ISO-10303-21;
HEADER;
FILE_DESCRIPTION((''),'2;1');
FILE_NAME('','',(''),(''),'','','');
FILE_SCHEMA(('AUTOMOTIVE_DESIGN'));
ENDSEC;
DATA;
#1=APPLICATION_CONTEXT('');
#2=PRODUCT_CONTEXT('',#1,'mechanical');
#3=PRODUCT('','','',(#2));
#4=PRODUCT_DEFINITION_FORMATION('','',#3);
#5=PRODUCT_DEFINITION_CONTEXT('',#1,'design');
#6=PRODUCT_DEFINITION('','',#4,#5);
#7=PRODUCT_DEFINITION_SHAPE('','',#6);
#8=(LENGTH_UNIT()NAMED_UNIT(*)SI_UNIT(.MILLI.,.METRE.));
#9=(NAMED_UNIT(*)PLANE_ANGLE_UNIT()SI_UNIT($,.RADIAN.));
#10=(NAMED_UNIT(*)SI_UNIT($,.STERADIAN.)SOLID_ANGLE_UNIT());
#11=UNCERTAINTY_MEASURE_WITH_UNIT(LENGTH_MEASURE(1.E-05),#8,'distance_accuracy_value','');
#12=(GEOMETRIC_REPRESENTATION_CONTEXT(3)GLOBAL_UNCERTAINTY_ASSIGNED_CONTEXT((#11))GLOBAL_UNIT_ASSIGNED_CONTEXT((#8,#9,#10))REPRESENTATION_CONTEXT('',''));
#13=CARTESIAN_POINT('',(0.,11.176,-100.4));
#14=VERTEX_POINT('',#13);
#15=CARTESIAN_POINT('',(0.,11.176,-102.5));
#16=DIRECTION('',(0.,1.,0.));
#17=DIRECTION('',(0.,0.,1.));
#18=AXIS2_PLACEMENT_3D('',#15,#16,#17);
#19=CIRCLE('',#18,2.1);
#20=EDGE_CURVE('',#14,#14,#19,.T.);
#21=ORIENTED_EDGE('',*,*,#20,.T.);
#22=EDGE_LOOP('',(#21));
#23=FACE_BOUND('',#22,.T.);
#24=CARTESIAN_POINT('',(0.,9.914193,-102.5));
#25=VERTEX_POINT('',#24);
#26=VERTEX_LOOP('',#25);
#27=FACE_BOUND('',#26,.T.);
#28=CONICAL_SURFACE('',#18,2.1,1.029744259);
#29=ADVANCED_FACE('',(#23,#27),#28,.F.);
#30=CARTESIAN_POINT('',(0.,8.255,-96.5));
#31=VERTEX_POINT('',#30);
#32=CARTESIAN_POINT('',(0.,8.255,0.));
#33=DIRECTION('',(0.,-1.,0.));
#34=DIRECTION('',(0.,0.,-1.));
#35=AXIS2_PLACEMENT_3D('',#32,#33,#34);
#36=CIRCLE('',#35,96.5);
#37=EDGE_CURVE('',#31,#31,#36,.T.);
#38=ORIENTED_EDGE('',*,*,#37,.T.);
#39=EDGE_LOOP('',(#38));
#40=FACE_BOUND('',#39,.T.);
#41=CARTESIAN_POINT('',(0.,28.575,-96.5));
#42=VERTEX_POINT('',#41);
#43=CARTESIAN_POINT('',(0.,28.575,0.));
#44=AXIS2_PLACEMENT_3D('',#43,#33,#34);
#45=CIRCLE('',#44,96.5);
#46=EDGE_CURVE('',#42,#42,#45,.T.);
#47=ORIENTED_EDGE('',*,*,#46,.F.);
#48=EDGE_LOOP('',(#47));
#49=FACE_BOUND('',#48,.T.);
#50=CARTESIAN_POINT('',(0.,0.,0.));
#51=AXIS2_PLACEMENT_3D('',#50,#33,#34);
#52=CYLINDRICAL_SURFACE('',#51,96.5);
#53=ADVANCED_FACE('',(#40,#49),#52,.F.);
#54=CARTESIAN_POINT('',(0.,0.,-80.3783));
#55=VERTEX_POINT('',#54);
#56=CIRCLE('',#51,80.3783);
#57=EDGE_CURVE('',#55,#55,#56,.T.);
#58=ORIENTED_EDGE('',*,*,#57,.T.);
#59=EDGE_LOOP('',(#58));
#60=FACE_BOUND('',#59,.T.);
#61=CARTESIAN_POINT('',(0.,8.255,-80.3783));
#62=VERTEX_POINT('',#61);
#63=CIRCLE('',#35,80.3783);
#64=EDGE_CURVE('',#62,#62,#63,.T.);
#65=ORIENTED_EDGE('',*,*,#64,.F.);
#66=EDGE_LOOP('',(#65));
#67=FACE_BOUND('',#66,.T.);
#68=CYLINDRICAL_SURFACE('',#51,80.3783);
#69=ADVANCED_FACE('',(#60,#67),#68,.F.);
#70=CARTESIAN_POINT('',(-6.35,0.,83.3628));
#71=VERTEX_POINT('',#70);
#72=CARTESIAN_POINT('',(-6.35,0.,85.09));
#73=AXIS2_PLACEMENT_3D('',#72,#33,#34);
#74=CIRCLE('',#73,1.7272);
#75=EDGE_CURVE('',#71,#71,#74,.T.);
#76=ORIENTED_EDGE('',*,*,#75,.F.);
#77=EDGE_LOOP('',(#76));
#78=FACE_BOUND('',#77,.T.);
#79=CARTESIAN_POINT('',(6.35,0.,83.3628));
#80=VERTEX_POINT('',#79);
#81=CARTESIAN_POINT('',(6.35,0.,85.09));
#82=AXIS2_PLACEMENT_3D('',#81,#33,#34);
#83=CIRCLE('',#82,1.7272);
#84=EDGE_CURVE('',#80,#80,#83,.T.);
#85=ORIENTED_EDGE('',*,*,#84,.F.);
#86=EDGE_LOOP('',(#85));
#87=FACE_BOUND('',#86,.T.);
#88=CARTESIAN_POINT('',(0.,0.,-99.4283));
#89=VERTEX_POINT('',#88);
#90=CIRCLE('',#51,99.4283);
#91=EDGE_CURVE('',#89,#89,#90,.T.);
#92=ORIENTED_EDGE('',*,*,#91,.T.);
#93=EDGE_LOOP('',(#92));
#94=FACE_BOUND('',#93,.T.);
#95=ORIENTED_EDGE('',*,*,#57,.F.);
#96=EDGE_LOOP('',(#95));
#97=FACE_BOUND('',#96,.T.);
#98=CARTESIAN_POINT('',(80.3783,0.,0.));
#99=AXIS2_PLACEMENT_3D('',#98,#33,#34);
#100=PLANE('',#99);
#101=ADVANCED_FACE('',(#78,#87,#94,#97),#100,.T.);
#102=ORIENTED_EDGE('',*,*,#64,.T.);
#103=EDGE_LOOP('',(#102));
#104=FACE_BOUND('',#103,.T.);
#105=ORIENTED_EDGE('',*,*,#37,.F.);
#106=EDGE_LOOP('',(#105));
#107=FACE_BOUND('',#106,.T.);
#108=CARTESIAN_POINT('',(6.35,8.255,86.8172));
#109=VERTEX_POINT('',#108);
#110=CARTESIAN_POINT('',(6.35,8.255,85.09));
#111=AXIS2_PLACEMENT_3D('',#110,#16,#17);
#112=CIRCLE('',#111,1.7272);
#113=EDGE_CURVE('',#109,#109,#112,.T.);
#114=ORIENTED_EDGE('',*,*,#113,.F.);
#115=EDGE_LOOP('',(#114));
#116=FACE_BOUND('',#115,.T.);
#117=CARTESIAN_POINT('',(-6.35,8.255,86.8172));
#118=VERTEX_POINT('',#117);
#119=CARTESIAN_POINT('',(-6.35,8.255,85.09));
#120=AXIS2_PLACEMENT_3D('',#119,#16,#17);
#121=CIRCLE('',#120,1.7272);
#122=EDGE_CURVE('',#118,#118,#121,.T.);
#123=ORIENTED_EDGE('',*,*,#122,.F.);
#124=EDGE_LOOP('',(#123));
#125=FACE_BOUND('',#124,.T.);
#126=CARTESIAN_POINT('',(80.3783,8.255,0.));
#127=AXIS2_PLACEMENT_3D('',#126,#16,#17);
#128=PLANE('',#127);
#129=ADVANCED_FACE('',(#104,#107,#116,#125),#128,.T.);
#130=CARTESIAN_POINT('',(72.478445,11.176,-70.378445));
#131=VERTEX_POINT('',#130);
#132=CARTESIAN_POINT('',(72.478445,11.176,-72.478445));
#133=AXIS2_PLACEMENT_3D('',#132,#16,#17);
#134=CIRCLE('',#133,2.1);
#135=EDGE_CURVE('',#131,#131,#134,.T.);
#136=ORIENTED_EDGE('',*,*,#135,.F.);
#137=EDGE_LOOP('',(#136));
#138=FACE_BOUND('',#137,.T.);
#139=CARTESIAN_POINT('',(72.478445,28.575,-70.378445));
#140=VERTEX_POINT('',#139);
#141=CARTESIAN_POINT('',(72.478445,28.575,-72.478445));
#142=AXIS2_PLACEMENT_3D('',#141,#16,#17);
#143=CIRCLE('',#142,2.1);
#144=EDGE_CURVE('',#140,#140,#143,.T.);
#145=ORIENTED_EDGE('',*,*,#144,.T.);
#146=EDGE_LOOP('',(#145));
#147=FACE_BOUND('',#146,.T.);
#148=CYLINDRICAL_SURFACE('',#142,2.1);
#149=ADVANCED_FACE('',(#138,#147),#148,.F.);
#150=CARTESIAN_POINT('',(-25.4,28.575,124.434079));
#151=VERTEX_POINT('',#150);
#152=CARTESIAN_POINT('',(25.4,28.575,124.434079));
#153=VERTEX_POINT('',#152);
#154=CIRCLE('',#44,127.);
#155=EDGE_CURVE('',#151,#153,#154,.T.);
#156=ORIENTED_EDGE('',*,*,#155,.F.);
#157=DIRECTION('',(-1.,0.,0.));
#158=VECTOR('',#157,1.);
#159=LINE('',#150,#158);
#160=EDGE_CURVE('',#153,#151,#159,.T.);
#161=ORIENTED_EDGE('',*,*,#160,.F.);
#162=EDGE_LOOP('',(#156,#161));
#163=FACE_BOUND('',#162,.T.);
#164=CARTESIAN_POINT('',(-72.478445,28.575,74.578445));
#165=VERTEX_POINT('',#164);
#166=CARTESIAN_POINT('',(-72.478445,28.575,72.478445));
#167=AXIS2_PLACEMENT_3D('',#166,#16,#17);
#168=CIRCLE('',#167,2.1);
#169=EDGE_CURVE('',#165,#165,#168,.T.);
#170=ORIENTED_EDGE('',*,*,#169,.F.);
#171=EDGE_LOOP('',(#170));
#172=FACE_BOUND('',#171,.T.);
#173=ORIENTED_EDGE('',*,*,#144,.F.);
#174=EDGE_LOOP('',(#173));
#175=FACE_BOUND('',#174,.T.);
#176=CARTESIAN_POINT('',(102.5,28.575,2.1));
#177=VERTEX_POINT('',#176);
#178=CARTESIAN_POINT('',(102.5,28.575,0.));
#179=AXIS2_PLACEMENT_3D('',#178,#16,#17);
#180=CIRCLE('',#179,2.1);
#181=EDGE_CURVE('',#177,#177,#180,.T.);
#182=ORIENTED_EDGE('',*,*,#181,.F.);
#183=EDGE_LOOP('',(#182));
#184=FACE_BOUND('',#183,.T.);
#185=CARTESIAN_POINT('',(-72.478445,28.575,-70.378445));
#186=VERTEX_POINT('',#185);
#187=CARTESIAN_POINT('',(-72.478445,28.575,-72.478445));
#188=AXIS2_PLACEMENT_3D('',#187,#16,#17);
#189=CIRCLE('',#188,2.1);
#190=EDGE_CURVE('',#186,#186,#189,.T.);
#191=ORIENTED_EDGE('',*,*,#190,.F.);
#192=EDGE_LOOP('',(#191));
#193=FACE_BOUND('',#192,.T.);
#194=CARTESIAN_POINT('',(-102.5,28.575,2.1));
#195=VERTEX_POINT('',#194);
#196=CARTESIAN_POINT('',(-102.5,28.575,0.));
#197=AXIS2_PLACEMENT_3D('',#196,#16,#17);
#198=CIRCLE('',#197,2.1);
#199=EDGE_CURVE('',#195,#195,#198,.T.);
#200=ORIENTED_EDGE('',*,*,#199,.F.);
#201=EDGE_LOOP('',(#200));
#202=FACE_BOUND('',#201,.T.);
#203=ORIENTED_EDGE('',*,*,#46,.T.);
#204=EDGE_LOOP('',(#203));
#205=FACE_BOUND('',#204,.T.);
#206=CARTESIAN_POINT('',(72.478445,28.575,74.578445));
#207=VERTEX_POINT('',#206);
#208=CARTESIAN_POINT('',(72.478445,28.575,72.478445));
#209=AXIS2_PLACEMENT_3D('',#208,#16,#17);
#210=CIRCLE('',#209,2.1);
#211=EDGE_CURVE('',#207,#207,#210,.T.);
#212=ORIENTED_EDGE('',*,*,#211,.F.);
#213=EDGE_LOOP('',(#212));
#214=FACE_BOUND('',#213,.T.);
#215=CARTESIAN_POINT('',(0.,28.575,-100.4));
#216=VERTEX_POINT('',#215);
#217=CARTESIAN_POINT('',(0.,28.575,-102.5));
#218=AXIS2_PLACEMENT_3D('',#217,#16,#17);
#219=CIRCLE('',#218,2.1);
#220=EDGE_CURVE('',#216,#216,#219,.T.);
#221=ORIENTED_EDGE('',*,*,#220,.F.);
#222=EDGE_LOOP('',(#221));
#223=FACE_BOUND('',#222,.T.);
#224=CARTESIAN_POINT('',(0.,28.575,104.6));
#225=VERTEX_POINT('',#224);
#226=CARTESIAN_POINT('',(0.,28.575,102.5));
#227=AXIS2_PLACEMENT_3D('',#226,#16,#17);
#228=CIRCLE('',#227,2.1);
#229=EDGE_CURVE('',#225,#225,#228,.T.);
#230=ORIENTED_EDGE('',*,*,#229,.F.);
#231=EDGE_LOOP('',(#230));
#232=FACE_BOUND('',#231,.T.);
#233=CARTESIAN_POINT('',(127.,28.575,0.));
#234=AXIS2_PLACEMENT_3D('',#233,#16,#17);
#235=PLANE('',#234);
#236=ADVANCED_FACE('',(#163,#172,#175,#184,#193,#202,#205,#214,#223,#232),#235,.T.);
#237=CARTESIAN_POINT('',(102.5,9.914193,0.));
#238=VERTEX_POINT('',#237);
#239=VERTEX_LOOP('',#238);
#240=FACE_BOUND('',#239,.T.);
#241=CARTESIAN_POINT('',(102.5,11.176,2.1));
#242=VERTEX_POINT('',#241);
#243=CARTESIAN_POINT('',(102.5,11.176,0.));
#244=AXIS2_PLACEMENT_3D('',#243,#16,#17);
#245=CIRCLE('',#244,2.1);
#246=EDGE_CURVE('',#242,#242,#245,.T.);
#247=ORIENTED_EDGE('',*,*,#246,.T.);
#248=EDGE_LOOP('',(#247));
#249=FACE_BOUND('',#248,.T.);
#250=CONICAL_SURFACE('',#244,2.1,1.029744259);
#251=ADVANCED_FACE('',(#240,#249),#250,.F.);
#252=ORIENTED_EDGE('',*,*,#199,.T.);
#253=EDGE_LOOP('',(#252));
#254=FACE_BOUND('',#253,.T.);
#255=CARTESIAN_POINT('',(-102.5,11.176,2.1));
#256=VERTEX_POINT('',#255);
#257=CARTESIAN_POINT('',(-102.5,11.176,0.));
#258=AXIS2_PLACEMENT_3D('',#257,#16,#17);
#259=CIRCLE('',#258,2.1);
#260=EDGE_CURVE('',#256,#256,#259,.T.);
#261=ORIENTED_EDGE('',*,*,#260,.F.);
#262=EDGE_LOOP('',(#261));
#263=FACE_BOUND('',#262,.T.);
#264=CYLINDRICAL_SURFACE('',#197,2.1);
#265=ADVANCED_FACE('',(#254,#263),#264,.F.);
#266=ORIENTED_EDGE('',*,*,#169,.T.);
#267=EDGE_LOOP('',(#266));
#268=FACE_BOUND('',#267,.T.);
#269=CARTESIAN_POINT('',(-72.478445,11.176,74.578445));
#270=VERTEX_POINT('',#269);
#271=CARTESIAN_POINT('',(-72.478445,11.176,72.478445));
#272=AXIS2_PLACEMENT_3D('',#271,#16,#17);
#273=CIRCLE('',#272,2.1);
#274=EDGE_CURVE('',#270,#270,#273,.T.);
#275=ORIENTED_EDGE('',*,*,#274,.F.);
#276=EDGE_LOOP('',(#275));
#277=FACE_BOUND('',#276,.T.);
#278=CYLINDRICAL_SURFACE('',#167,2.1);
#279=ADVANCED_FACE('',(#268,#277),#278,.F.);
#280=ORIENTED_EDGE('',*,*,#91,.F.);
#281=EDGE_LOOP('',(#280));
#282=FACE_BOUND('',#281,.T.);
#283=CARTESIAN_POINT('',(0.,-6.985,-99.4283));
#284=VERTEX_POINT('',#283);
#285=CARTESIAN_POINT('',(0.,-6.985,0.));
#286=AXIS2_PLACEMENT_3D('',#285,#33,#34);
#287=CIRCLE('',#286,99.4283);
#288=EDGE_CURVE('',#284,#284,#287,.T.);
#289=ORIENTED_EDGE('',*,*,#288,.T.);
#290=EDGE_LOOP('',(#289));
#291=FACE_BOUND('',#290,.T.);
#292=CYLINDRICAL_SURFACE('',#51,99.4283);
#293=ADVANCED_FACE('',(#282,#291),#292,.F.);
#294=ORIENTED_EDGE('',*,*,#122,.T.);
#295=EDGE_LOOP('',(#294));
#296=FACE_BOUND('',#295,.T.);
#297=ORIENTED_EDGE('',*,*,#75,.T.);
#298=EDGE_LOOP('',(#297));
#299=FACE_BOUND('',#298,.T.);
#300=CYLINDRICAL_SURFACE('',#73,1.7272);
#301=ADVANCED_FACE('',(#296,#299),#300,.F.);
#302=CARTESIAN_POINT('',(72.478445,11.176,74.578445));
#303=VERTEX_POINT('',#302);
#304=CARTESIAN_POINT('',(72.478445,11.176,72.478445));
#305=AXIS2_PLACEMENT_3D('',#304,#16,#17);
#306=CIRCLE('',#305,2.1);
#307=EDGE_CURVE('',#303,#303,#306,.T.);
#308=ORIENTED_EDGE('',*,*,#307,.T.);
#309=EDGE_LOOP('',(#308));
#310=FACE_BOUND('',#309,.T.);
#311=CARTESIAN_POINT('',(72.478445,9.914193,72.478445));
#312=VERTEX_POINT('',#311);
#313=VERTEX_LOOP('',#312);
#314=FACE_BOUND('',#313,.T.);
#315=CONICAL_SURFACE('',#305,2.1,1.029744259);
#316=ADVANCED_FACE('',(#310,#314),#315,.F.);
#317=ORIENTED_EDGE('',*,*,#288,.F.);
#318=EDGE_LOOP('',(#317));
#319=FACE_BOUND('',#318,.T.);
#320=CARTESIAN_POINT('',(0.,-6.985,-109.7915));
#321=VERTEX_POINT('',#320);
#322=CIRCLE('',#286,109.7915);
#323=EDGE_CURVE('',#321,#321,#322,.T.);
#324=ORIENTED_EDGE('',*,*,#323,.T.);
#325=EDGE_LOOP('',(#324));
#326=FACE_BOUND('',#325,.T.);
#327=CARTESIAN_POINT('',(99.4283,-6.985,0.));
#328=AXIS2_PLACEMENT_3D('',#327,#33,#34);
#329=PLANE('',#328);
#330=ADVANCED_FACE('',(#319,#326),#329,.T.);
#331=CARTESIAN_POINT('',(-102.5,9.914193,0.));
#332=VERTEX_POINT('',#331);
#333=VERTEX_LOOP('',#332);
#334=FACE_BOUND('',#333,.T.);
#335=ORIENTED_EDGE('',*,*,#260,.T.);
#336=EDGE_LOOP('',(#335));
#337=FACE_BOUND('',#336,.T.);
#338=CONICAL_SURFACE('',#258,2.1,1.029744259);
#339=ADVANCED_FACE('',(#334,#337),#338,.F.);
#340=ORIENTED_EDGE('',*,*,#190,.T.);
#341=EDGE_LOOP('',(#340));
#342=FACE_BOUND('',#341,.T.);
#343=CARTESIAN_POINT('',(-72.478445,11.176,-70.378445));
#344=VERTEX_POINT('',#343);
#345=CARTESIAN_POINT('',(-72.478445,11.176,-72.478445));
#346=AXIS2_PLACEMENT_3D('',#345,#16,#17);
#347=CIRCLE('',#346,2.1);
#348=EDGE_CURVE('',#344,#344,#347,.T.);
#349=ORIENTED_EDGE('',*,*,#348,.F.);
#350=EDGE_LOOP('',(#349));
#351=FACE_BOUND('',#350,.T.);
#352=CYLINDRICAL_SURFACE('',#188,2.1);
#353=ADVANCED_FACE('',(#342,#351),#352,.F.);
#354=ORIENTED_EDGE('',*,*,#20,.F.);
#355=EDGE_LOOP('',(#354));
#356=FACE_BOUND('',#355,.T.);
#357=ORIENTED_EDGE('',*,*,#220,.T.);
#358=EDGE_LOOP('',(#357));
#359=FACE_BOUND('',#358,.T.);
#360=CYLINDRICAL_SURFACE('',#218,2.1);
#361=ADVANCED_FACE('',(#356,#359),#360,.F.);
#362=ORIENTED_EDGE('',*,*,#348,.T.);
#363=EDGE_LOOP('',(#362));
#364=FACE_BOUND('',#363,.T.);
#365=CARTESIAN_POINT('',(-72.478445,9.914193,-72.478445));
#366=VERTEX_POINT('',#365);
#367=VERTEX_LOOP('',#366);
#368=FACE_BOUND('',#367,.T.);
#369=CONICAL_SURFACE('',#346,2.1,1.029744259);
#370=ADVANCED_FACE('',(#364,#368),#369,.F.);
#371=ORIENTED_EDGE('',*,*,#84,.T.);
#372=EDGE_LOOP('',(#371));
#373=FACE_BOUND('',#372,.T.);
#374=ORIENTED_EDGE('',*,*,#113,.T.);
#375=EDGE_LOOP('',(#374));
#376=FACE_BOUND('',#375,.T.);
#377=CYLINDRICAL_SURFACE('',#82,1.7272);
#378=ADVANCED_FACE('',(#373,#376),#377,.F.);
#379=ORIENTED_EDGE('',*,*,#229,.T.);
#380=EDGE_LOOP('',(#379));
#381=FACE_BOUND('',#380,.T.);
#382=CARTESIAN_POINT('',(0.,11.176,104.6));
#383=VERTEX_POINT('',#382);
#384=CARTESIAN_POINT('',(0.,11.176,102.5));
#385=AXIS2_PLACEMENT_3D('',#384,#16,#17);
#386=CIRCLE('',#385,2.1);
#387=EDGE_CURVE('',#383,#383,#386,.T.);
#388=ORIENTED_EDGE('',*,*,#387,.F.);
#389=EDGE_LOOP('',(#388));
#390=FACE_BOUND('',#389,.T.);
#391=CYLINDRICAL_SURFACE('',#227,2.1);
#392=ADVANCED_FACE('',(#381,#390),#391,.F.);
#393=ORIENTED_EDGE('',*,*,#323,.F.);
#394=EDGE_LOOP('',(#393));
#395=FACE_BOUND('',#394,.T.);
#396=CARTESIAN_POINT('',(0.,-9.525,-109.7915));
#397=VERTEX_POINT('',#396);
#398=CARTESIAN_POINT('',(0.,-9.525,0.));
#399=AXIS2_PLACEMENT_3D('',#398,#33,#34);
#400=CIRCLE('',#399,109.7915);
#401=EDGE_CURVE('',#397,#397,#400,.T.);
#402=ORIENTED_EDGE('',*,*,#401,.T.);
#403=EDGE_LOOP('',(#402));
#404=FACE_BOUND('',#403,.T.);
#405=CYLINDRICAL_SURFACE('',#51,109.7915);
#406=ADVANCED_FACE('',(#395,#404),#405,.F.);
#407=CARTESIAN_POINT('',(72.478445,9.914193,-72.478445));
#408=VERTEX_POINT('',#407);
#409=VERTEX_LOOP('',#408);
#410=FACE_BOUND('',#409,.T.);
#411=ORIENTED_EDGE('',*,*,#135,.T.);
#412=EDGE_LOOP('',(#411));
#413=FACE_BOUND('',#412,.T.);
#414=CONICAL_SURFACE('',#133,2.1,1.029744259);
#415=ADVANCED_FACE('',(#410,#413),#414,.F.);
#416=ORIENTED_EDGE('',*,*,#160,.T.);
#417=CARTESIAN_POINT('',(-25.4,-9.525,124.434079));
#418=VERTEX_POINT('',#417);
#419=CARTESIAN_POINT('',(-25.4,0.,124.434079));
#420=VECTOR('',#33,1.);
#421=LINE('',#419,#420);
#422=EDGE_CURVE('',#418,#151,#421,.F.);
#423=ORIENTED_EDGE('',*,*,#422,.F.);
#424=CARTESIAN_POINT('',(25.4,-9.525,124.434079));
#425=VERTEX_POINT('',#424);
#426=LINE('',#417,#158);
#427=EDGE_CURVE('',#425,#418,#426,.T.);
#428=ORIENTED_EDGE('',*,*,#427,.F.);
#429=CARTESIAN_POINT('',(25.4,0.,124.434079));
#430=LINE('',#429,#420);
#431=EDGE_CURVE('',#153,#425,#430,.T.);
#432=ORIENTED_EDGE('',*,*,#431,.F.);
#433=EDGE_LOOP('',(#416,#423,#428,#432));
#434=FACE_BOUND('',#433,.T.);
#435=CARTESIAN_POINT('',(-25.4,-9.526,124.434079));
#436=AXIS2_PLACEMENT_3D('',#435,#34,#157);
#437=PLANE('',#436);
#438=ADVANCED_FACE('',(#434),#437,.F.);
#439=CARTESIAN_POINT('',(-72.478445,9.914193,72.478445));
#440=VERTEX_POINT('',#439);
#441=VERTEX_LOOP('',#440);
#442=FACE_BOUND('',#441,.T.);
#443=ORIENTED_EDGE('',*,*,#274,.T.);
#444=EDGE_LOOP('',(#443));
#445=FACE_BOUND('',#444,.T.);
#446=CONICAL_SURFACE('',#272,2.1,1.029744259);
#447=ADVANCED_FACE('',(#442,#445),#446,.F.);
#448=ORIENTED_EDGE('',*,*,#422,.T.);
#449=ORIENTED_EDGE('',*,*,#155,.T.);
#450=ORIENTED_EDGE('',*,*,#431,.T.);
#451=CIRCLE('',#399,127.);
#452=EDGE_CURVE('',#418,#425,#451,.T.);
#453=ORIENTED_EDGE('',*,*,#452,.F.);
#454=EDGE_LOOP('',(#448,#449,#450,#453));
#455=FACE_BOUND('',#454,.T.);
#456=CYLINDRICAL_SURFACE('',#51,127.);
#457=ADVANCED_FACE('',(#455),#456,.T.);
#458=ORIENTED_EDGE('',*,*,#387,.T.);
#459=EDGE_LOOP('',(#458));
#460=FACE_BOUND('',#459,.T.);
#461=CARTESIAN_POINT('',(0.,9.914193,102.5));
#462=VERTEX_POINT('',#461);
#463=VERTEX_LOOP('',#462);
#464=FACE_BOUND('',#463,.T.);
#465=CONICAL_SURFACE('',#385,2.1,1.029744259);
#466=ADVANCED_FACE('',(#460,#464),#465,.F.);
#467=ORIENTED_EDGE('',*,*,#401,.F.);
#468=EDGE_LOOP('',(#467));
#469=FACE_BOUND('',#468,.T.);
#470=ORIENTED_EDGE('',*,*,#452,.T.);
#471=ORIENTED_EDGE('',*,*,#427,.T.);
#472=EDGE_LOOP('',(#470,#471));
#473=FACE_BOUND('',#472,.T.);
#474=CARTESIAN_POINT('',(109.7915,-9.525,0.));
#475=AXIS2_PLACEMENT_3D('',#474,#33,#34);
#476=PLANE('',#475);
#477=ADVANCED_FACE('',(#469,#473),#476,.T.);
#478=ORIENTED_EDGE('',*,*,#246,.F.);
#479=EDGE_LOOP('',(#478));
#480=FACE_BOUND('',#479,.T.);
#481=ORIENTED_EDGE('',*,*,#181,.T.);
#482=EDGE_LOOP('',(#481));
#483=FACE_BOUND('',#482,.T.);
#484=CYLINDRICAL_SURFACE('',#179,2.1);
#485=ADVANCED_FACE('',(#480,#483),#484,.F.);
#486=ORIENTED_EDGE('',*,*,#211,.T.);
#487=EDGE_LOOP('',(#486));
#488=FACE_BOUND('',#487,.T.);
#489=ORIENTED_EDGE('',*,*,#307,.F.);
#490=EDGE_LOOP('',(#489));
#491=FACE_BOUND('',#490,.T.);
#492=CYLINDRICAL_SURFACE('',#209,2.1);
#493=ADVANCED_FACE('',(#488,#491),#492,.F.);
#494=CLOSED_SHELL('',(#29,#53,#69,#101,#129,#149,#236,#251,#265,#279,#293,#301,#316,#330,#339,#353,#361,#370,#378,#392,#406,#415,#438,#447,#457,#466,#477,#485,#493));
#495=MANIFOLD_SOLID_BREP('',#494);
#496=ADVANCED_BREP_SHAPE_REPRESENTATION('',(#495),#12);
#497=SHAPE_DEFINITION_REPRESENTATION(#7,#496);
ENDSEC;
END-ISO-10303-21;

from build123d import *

# Parameters (mm, degrees)
M5X0_8_TAPPED_HOLE1_D     = 4.2
M5X0_8_TAPPED_HOLE1_DEPTH = 17.399
M5X0_8_TAPPED_HOLE1_TIP   = 1.2618073
CUT_EXTRUDE1_REACH        = 185.602
SKETCH7_W                 = 50.8
SKETCH7_H                 = 2.565921067
F_8_32_TAPPED_HOLE1_D     = 3.4544


with BuildPart() as part:
    # Sketch1 → Revolve1 (revolve)
    with BuildSketch(Plane.XY, mode=Mode.PRIVATE) as revolve1_sk:
        Polygon((80.3783, 0), (99.4283, 0), (99.4283, -6.985), (109.7915, -6.985), (109.7915, -9.525), (127, -9.525), (127, 28.575), (96.5, 28.575), (96.5, 8.255), (80.3783, 8.255), align=None)
    revolve(revolve1_sk.sketch.rotate(Axis((0, 0, 0), (0, 1, 0)), 90), axis=Axis((0, 0, 0), (0, 1, 0)))

    # M5x0.8 Tapped Hole1
    with Locations(Plane(origin=(0, 28.575, 0), x_dir=(1, 0, 0), z_dir=(0, 1, 0))):
        with Locations((0, 102.5), (72.478445072, 72.478445072), (102.5, 0), (72.478445072, -72.478445072), (0, -102.5), (-72.478445072, -72.478445072), (-102.5, 0), (-72.478445072, 72.478445072)):
            Hole(M5X0_8_TAPPED_HOLE1_D / 2, depth=M5X0_8_TAPPED_HOLE1_DEPTH)
            with Locations((0, 0, -(M5X0_8_TAPPED_HOLE1_DEPTH + M5X0_8_TAPPED_HOLE1_TIP / 2))):  # 118° drill point
                Cone(0, M5X0_8_TAPPED_HOLE1_D / 2, M5X0_8_TAPPED_HOLE1_TIP, mode=Mode.SUBTRACT)

    # Sketch7 → Cut-Extrude1 (cut, up to next)
    with BuildSketch(Plane(origin=(0, 28.575, 0), x_dir=(1, 0, 0), z_dir=(0, 1, 0)), mode=Mode.PRIVATE) as cut_extrude1_sk1:
        with Locations((0, -125.717039467)):
            Rectangle(SKETCH7_W, SKETCH7_H)
    cut_extrude1_tool1 = extrude(cut_extrude1_sk1.sketch, amount=-CUT_EXTRUDE1_REACH, mode=Mode.PRIVATE) & part.part
    add(cut_extrude1_tool1.solids().sort_by_distance((0, 28.575, 125.717039))[0], mode=Mode.SUBTRACT)

    # #8-32 Tapped Hole1 (through all)
    with Locations(Plane(origin=(0, 0, 0), x_dir=(-1, 0, 0), z_dir=(0, -1, 0))):
        with Locations((-6.35, -85.09), (6.35, -85.09)):
            Hole(F_8_32_TAPPED_HOLE1_D / 2)


solid = part.part
